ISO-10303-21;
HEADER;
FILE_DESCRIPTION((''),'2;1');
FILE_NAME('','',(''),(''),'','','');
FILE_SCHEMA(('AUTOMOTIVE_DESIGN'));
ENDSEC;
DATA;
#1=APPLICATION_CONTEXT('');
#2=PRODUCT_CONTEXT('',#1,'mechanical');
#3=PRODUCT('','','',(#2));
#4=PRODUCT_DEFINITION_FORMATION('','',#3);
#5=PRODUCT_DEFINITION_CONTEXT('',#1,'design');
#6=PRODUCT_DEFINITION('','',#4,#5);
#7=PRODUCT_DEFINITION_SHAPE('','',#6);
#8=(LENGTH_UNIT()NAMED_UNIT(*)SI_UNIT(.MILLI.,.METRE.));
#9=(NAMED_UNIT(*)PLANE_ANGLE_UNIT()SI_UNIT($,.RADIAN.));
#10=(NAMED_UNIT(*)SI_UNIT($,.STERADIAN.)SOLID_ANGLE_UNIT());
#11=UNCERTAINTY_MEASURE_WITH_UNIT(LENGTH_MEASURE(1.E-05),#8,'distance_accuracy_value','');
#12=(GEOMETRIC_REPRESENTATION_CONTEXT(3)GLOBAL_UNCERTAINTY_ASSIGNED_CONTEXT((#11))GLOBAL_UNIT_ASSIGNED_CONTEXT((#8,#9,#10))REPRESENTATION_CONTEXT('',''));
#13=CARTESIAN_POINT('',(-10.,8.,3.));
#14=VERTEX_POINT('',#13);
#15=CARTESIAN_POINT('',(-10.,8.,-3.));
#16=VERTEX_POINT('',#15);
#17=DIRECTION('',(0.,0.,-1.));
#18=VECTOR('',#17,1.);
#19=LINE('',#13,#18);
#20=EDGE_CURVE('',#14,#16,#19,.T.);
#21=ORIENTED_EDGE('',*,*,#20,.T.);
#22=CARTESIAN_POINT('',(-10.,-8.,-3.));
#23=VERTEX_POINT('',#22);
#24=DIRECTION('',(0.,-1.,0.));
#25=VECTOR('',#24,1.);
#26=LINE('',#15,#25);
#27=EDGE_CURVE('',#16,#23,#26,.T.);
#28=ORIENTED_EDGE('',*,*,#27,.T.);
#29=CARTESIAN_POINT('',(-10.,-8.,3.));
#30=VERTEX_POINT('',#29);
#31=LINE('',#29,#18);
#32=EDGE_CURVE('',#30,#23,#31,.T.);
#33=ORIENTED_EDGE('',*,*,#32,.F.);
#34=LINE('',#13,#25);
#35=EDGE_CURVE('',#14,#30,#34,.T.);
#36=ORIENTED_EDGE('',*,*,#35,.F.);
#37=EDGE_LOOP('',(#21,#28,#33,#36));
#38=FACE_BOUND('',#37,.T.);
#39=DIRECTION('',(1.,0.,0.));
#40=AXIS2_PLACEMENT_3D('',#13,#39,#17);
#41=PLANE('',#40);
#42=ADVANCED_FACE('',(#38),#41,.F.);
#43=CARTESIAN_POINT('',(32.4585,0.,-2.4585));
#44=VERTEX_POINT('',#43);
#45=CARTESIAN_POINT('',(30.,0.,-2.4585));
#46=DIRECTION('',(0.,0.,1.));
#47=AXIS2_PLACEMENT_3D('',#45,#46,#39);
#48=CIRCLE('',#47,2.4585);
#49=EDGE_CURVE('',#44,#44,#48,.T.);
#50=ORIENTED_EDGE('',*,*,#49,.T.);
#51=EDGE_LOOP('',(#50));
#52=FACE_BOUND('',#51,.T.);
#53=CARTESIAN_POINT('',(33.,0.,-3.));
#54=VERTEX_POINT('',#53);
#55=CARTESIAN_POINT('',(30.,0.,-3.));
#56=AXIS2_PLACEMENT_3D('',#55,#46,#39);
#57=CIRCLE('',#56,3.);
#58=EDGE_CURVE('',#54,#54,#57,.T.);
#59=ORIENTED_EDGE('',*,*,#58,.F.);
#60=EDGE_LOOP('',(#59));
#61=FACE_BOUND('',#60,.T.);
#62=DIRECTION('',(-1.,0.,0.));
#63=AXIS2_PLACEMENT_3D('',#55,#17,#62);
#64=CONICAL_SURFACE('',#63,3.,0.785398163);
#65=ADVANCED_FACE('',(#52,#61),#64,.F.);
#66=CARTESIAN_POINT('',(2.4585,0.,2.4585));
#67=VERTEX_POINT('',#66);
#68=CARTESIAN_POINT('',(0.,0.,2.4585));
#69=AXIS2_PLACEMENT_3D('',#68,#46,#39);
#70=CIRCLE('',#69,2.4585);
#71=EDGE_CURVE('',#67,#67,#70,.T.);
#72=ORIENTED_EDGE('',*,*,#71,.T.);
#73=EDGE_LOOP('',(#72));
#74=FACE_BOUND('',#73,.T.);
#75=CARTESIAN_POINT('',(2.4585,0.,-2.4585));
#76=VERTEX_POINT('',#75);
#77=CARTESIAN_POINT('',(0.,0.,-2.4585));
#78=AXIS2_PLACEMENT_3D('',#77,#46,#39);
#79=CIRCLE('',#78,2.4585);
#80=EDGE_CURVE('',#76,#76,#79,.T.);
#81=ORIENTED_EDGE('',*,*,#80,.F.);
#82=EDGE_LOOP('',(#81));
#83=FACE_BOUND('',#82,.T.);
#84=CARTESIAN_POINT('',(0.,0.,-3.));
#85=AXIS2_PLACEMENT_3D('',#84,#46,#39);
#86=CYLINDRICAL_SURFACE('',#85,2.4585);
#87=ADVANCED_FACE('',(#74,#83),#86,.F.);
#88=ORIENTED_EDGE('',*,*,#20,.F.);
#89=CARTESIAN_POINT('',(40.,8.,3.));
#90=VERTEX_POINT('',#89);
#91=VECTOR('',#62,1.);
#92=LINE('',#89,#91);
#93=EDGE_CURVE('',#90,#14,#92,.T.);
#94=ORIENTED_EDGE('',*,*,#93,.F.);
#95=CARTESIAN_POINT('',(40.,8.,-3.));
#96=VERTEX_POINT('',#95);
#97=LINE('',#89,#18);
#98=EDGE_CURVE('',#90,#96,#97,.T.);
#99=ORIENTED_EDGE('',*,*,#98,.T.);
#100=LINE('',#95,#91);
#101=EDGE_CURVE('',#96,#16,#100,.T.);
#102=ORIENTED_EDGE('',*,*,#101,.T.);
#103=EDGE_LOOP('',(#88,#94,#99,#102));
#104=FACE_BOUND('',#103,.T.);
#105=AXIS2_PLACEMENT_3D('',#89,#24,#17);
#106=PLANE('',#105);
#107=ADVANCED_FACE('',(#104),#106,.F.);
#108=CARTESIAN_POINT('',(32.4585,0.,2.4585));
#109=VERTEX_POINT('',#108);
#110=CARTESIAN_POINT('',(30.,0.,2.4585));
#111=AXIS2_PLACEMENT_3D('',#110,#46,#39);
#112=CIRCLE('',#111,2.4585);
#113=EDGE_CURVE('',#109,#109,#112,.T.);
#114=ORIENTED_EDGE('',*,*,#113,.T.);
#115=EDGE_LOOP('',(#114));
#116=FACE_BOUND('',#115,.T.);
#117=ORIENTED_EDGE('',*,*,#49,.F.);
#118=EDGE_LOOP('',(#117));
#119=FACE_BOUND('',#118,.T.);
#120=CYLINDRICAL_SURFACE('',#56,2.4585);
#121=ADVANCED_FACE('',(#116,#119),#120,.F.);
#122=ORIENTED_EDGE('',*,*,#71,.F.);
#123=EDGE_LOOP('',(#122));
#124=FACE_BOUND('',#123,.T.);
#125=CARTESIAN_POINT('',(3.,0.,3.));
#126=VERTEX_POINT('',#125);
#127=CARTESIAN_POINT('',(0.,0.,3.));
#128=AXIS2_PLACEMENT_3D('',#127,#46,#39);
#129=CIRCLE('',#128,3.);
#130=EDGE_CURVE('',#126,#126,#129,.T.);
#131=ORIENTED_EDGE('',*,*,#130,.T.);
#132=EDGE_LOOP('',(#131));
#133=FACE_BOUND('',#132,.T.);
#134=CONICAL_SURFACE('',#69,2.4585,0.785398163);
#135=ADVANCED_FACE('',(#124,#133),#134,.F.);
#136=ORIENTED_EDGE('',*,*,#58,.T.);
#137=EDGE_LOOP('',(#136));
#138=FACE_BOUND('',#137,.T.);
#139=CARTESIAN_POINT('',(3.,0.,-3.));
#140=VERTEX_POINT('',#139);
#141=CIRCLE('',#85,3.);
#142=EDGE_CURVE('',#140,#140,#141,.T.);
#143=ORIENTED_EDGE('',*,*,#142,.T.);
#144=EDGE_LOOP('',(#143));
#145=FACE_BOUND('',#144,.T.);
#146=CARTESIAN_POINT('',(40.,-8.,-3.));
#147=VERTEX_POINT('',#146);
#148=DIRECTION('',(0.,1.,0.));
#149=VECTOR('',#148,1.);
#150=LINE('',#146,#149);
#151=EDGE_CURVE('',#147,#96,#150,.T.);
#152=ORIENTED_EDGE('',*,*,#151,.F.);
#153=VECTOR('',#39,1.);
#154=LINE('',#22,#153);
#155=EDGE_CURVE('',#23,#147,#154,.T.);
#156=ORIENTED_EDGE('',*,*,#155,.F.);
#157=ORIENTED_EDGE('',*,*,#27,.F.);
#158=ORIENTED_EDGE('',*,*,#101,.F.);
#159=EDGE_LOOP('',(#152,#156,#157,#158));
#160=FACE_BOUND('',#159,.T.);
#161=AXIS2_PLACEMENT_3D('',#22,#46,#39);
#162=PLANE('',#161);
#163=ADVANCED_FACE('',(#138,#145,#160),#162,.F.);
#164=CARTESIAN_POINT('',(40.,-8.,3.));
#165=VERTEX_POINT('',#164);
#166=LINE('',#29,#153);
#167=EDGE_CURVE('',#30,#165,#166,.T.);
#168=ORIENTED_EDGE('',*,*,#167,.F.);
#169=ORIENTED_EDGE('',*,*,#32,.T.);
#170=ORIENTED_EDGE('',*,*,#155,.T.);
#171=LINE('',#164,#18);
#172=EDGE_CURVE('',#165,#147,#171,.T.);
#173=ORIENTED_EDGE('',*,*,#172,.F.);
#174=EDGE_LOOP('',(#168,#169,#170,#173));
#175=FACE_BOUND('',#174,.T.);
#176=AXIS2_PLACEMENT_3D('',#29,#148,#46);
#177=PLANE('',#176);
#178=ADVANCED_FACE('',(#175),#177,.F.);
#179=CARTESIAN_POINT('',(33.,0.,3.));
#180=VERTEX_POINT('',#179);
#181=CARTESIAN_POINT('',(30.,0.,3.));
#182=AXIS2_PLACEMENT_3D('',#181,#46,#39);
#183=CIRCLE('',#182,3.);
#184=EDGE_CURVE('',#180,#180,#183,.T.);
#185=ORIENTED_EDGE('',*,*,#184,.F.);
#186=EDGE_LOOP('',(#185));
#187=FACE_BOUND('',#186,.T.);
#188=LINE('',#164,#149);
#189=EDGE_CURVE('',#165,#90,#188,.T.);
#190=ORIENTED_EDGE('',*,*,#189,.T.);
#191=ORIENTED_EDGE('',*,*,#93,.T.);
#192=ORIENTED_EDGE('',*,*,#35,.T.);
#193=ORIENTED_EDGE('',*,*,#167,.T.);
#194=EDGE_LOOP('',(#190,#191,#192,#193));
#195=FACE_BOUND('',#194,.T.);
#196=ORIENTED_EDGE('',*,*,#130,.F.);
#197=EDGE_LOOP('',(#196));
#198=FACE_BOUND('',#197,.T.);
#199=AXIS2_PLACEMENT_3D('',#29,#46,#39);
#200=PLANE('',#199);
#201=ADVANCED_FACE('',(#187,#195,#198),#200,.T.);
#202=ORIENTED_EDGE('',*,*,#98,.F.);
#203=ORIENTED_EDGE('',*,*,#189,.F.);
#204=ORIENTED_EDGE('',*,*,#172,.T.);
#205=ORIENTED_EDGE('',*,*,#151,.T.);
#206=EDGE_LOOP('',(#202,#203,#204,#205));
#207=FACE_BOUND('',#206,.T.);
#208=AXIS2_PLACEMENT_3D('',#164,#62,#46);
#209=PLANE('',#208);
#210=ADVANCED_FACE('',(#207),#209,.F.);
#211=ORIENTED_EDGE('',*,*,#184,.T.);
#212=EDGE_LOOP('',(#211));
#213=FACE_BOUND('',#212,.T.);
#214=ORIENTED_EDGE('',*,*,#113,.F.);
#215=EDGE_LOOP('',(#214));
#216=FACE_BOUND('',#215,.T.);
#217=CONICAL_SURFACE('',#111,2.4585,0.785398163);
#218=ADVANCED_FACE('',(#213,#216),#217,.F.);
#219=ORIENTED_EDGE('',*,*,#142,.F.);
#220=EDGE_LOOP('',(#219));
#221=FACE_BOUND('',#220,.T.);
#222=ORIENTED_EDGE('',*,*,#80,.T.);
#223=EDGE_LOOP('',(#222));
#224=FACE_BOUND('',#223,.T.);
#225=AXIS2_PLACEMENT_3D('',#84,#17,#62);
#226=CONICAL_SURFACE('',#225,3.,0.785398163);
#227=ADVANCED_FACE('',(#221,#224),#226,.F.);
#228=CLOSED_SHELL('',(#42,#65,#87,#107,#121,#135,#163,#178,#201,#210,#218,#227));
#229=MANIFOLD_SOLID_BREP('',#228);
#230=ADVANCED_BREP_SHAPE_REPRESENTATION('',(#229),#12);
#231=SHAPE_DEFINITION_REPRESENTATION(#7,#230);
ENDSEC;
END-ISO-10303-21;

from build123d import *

# Parameters (mm, degrees)
BOSS_EXTRUDE1_DEPTH      = 3
BOSS_EXTRUDE1_DEPTH_BACK = 3
SKETCH1_W                = 50
SKETCH1_H                = 16


with BuildPart() as part:
    # Sketch1 → Boss-Extrude1 (new, two sides: drawn at the far end of the back side and taken through both)
    with BuildSketch(Plane.XY.offset(-BOSS_EXTRUDE1_DEPTH_BACK)):
        with Locations((15, 0)):
            Rectangle(SKETCH1_W, SKETCH1_H)
    extrude(amount=BOSS_EXTRUDE1_DEPTH + BOSS_EXTRUDE1_DEPTH_BACK)

    # Sketch2 → Cut-Revolve1 (revolve, cut)
    with BuildSketch(Plane(origin=(0, 0, 0), x_dir=(0, 0, -1), z_dir=(1, 0, 0))):
        Polygon((-3, 0), (-3, 3), (-2.4585, 2.4585), (2.4585, 2.4585), (3, 3), (3, 0), align=None)
    revolve(axis=Axis((0, 0, -3), (0, 0, 1)), mode=Mode.SUBTRACT)

    # Sketch3 → Cut-Revolve2 (revolve, cut)
    with BuildSketch(Plane(origin=(30, 0, 0), x_dir=(0, 0, -1), z_dir=(1, 0, 0))):
        Polygon((-3, 0), (-3, 3), (-2.4585, 2.4585), (2.4585, 2.4585), (3, 3), (3, 0), align=None)
    revolve(axis=Axis((30, 0, -3), (0, 0, 1)), mode=Mode.SUBTRACT)


solid = part.part
